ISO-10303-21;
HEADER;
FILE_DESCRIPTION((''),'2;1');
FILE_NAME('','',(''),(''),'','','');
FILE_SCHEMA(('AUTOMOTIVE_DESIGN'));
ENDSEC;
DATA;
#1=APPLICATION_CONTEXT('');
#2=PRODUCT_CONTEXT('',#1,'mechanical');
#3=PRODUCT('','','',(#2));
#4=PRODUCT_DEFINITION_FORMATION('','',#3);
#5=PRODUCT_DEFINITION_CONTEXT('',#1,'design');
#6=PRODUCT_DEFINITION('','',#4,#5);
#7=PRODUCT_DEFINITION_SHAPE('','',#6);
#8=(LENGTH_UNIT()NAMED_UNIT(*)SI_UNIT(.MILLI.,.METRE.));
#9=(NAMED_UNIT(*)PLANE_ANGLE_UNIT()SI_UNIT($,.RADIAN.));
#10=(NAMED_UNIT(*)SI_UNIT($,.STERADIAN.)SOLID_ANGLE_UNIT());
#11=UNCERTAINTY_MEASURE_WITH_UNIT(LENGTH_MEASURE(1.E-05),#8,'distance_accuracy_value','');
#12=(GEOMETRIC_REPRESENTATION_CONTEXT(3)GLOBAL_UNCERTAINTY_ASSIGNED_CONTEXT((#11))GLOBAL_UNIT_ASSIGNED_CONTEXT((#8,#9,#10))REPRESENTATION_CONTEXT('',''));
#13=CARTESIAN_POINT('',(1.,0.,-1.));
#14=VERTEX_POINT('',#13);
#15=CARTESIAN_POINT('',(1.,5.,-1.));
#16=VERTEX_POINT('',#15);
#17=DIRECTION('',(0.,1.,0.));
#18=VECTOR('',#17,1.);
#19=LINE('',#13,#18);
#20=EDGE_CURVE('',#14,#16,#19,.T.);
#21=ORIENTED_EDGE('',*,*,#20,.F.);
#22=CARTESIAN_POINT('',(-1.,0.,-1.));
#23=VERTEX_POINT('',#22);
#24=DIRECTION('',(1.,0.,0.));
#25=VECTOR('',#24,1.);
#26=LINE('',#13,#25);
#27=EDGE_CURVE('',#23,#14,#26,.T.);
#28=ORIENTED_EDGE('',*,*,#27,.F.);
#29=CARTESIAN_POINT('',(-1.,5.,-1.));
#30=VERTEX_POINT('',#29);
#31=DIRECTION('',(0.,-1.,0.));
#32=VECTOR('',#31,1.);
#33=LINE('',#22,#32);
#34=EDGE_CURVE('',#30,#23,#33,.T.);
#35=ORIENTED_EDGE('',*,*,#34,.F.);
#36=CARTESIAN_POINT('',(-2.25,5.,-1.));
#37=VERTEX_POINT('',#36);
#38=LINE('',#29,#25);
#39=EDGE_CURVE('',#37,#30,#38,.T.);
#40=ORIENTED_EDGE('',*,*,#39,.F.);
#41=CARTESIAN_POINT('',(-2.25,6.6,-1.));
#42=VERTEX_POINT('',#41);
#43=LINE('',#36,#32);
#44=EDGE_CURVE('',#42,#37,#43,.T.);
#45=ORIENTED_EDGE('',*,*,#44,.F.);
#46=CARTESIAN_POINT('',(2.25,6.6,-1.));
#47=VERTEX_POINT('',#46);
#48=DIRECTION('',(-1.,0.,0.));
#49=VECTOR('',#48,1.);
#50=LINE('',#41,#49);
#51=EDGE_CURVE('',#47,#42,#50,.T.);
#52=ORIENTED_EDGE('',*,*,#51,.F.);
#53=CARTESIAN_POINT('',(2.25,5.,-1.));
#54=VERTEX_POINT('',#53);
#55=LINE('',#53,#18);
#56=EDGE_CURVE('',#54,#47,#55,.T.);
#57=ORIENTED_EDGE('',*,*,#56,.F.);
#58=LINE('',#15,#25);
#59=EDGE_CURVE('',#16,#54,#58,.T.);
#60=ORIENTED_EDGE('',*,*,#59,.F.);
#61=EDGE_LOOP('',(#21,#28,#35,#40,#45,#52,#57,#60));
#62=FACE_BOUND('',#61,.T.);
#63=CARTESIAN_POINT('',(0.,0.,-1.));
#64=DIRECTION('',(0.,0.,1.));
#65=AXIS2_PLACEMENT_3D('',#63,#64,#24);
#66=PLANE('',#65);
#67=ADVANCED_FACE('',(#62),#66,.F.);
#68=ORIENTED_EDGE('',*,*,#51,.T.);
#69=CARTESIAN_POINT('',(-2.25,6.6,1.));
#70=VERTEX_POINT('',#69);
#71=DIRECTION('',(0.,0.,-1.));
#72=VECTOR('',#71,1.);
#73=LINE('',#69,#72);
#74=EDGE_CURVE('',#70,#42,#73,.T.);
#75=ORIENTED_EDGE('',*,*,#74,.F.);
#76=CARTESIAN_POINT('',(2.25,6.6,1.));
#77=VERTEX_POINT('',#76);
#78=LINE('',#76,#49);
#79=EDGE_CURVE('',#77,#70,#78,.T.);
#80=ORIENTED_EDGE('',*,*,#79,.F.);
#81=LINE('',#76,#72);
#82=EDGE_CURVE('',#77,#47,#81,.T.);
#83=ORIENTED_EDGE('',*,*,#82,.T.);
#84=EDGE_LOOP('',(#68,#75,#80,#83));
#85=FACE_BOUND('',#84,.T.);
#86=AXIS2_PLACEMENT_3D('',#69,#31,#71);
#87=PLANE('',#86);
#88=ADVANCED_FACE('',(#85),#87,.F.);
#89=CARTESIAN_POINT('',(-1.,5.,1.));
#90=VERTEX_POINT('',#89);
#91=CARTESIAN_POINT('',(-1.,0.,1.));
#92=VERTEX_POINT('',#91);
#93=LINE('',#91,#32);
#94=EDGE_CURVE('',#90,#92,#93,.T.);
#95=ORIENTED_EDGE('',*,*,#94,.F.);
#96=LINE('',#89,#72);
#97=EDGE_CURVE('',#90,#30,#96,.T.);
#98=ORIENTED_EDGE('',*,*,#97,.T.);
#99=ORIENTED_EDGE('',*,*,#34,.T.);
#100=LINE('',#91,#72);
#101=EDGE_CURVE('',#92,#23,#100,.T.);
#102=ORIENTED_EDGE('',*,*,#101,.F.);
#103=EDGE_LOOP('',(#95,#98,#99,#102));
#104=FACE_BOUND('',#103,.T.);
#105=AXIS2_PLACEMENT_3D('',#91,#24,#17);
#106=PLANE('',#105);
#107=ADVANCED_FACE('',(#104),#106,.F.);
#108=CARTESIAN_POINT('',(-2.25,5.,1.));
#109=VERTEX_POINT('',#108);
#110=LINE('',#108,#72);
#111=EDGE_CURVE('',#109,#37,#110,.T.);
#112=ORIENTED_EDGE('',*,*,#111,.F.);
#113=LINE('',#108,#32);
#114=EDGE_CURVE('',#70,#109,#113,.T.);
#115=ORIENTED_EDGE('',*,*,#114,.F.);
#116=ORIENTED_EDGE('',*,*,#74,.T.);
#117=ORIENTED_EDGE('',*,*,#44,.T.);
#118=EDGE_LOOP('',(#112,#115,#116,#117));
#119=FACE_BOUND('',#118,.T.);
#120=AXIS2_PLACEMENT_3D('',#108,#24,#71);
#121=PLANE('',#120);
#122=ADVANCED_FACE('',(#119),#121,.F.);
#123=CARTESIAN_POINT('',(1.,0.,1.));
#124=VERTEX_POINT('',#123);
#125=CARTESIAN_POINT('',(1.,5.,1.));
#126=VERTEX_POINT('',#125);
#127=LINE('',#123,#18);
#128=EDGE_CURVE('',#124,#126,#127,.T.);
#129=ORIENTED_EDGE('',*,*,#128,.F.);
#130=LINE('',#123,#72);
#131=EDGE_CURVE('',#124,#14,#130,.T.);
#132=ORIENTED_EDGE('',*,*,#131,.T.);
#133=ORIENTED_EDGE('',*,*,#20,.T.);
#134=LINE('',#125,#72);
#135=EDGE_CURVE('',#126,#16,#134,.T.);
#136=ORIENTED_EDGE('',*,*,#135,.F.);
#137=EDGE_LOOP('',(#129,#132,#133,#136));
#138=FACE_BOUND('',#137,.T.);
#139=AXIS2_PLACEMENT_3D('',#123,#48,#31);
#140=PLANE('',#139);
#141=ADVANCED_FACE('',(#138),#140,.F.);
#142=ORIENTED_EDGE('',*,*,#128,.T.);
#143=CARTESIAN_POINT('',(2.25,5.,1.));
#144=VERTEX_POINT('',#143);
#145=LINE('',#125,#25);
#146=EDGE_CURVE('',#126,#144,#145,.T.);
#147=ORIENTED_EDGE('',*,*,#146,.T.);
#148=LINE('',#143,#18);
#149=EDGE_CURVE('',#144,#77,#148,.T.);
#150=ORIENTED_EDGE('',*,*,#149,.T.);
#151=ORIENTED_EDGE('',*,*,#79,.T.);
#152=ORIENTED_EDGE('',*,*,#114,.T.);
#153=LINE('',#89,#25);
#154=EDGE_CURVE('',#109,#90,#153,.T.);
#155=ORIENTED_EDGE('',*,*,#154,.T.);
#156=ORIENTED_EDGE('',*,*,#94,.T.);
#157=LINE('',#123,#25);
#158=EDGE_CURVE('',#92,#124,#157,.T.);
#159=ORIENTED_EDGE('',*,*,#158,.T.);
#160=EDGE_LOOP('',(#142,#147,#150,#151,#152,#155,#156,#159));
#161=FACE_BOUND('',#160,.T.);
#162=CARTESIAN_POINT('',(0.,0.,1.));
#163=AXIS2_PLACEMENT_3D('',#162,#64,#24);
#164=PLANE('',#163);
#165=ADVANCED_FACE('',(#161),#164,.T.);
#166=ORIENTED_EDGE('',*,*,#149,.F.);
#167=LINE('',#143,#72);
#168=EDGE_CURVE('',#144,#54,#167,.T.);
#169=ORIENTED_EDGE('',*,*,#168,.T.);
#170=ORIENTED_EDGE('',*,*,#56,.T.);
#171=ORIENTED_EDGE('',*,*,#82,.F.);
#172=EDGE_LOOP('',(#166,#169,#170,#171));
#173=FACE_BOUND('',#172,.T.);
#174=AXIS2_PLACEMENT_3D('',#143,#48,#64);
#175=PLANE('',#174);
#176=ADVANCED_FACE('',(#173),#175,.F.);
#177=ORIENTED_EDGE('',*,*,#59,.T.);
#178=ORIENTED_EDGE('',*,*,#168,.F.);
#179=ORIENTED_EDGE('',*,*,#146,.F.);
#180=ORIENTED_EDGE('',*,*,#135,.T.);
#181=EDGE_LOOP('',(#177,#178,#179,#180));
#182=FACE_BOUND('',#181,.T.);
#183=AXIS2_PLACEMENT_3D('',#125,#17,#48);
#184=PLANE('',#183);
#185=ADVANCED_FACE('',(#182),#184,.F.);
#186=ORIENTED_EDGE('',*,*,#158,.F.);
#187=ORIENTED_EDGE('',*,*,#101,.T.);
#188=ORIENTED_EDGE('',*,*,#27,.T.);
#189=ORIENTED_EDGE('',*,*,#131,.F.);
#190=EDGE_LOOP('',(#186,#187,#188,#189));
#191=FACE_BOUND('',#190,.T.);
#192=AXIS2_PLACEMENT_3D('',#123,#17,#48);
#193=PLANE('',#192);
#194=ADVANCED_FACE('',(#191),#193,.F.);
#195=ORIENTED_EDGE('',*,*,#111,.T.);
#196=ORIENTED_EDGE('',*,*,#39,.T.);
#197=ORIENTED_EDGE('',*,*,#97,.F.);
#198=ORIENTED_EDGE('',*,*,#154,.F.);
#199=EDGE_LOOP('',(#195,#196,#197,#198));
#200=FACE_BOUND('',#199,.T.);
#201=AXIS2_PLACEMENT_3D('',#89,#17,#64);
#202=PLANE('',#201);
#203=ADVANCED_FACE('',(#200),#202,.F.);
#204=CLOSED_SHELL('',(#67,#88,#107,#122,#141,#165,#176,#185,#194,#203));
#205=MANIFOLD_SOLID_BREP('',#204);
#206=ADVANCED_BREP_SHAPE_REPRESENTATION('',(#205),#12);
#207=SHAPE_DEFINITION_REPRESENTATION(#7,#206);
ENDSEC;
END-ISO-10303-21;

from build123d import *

# Parameters (mm, degrees)
EXTRUDE_1_DEPTH = 1


with BuildPart() as part:
    # Эскиз1 → Бобышка-Вытянуть1 (new body, symmetric)
    with BuildSketch(Plane.XY):
        Polygon((1, 0), (-1, 0), (-1, 5), (-2.25, 5), (-2.25, 6.6), (0, 6.6), (2.25, 6.6), (2.25, 5), (1, 5), align=None)
    extrude(amount=EXTRUDE_1_DEPTH, both=True)


solid = part.part
